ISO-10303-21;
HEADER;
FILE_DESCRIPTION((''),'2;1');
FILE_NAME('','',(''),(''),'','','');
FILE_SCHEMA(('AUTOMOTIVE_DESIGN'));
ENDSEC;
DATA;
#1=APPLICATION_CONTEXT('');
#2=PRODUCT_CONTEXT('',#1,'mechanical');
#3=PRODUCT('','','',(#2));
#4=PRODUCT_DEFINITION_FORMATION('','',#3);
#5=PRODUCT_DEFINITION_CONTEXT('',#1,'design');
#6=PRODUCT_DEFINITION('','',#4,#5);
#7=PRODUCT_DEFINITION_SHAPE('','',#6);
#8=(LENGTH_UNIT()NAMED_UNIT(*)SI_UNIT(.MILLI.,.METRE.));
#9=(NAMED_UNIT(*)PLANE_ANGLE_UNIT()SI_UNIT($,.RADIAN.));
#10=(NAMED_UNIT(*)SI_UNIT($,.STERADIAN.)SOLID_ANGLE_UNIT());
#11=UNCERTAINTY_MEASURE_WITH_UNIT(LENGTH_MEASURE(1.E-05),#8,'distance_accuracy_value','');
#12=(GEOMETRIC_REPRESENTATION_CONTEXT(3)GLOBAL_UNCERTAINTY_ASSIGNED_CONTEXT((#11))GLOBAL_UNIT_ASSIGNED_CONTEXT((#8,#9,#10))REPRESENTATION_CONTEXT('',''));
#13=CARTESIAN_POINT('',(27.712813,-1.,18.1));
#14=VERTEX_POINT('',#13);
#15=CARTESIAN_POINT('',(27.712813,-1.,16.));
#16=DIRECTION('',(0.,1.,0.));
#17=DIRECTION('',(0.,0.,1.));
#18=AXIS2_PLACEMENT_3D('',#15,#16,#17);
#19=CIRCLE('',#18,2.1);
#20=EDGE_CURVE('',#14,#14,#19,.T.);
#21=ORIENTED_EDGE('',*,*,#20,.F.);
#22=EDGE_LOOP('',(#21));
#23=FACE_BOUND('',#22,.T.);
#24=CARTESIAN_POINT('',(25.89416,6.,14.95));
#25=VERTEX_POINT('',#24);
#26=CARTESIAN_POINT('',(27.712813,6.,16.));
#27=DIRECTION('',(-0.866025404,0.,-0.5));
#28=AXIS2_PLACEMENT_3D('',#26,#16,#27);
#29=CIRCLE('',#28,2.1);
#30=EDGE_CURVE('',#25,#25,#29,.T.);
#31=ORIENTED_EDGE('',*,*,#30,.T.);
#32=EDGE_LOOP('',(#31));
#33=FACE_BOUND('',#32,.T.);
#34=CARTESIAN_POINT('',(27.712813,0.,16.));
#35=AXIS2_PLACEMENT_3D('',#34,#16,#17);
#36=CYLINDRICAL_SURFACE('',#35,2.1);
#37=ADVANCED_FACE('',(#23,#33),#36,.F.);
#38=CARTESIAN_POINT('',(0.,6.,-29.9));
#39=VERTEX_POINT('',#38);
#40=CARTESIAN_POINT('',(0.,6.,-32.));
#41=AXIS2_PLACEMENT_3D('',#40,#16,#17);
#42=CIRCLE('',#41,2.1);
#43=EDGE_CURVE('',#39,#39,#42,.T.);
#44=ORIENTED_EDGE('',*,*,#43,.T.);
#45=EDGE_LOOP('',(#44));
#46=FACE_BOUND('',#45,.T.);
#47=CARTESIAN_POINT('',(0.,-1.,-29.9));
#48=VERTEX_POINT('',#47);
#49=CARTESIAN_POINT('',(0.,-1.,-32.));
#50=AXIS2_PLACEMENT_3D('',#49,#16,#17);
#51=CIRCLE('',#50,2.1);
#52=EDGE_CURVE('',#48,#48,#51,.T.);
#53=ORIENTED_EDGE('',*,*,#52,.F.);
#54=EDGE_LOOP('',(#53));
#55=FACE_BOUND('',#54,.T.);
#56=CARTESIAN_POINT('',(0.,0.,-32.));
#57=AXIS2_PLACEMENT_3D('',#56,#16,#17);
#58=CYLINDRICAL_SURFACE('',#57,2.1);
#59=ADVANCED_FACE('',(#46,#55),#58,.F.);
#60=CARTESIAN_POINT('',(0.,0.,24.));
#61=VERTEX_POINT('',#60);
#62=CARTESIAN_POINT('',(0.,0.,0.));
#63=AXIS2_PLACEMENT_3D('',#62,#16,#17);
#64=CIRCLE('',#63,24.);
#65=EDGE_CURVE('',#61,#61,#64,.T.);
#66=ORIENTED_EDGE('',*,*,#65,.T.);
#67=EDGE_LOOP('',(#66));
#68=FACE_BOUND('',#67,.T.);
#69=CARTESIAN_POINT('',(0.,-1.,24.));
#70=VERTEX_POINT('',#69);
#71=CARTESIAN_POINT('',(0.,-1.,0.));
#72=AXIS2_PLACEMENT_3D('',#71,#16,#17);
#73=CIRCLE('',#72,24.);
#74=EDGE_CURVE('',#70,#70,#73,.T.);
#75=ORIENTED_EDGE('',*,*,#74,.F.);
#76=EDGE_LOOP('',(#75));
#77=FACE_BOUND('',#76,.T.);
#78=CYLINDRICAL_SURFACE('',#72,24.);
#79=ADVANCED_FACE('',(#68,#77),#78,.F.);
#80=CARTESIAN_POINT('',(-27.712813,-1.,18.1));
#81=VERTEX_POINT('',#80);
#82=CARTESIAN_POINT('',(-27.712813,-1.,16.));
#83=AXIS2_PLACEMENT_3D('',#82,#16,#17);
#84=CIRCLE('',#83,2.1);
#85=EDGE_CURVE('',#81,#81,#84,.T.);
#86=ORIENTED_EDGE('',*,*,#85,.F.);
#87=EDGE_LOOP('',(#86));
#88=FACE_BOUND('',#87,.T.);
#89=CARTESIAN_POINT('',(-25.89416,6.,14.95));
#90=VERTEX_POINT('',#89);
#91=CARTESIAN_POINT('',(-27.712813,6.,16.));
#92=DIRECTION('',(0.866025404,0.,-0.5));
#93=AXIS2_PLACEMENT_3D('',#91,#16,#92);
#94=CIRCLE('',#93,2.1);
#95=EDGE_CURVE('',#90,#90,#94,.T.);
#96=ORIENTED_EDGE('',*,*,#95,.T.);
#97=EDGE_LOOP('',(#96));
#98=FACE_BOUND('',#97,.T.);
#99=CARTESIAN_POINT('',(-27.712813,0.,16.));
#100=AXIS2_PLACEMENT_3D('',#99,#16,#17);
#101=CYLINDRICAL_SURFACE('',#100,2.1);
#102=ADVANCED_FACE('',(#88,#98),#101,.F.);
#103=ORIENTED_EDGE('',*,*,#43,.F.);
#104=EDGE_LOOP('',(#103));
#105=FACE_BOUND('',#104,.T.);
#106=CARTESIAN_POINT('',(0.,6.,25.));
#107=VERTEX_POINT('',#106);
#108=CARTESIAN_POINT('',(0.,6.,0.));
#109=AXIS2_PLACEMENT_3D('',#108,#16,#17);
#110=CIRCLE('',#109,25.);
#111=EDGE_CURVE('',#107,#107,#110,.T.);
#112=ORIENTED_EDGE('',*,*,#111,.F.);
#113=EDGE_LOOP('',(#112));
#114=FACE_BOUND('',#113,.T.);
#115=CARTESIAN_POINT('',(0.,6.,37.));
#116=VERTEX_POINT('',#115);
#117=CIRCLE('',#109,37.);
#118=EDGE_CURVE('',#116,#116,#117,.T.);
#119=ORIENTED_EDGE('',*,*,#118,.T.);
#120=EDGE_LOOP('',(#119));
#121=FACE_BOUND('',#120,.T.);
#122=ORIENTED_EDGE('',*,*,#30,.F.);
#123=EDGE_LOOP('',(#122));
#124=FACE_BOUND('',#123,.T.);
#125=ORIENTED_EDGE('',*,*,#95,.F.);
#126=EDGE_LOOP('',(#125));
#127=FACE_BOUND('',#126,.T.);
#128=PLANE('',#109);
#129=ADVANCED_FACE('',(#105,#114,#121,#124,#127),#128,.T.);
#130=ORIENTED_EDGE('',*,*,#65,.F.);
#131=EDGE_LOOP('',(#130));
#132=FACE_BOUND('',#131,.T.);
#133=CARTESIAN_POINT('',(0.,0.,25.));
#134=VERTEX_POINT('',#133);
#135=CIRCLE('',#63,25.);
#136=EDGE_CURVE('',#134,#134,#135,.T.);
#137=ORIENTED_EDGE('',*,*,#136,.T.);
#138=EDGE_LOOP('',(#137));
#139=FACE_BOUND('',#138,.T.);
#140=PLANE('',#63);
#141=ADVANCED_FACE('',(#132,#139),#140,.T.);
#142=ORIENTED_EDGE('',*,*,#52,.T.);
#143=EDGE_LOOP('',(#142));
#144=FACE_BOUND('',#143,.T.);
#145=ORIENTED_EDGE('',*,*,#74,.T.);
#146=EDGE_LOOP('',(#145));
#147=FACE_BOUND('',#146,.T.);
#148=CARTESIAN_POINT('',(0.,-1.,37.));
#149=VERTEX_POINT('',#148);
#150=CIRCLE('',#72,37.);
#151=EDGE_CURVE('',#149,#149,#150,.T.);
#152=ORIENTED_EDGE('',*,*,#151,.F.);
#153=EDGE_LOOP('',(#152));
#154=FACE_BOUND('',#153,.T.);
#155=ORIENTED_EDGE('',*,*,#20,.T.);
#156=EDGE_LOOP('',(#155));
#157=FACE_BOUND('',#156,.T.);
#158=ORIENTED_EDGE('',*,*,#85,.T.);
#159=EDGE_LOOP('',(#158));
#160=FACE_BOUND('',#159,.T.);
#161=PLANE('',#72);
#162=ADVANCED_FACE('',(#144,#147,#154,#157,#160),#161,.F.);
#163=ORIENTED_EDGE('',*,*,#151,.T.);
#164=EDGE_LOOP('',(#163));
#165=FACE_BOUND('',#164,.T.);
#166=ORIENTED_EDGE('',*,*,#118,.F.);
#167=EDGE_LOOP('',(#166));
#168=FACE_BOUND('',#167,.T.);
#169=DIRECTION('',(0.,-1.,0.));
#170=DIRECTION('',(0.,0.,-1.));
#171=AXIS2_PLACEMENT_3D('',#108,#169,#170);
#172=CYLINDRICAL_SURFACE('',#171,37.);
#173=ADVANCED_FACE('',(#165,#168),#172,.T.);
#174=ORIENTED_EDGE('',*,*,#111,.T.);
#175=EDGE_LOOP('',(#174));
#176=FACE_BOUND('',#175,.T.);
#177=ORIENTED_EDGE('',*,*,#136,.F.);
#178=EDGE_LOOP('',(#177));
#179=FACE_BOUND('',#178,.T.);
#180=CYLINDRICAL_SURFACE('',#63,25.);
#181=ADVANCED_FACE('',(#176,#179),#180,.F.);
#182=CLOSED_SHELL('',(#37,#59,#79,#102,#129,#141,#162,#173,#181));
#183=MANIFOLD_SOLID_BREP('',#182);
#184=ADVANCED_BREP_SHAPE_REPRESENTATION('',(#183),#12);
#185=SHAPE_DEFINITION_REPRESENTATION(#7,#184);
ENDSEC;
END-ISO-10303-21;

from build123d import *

# Parameters (mm, degrees)
SKETCH1_R           = 37
BOSS_EXTRUDE1_DEPTH = 6
SKETCH2_R           = 2.1
CUT_EXTRUDE1_DEPTH  = 7
CIRPATTERN1_COUNT   = 3
SKETCH3_R           = 25
CUT_EXTRUDE2_DEPTH  = 7
SKETCH4_R           = 37
SKETCH4_R_2         = 24
SKETCH4_R_3         = 2.1
BOSS_EXTRUDE2_DEPTH = 1


with BuildPart() as part:
    # Sketch1 → Boss-Extrude1 (new body)
    with BuildSketch(Plane(origin=(0, 0, 0), x_dir=(1, 0, 0), z_dir=(0, 1, 0))):
        Circle(SKETCH1_R)
    extrude(amount=BOSS_EXTRUDE1_DEPTH)

    # Sketch2 → Cut-Extrude1 (cut, through all)
    with BuildSketch(Plane(origin=(0, 6, 0), x_dir=(1, 0, 0), z_dir=(0, 1, 0))):
        with Locations((0, 32)):
            Circle(SKETCH2_R)
    cut_extrude1 = extrude(amount=-CUT_EXTRUDE1_DEPTH, mode=Mode.SUBTRACT)

    # CirPattern1: Cut-Extrude1 ×3 about axis
    cirpattern1_axis = Axis((0, 0, 0), (0, 1, 0))
    for i in range(1, CIRPATTERN1_COUNT):
        add(cut_extrude1.rotate(cirpattern1_axis, i * 360 / CIRPATTERN1_COUNT), mode=Mode.SUBTRACT)

    # Sketch3 → Cut-Extrude2 (cut, through all)
    with BuildSketch(Plane(origin=(0, 6, 0), x_dir=(1, 0, 0), z_dir=(0, 1, 0))):
        Circle(SKETCH3_R)
    extrude(amount=-CUT_EXTRUDE2_DEPTH, mode=Mode.SUBTRACT)

    # Sketch4 → Boss-Extrude2 (add)
    with BuildSketch(Plane(origin=(0, 0, 0), x_dir=(1, 0, 0), z_dir=(0, 1, 0))):
        Circle(SKETCH4_R)
        Circle(SKETCH4_R_2, mode=Mode.SUBTRACT)
        with Locations((-27.712812921, -16)):
            Circle(SKETCH4_R_3, mode=Mode.SUBTRACT)
        with Locations((27.712812921, -16)):
            Circle(SKETCH4_R_3, mode=Mode.SUBTRACT)
        with Locations((0, 32)):
            Circle(SKETCH4_R_3, mode=Mode.SUBTRACT)
    extrude(amount=-BOSS_EXTRUDE2_DEPTH)


solid = part.part
